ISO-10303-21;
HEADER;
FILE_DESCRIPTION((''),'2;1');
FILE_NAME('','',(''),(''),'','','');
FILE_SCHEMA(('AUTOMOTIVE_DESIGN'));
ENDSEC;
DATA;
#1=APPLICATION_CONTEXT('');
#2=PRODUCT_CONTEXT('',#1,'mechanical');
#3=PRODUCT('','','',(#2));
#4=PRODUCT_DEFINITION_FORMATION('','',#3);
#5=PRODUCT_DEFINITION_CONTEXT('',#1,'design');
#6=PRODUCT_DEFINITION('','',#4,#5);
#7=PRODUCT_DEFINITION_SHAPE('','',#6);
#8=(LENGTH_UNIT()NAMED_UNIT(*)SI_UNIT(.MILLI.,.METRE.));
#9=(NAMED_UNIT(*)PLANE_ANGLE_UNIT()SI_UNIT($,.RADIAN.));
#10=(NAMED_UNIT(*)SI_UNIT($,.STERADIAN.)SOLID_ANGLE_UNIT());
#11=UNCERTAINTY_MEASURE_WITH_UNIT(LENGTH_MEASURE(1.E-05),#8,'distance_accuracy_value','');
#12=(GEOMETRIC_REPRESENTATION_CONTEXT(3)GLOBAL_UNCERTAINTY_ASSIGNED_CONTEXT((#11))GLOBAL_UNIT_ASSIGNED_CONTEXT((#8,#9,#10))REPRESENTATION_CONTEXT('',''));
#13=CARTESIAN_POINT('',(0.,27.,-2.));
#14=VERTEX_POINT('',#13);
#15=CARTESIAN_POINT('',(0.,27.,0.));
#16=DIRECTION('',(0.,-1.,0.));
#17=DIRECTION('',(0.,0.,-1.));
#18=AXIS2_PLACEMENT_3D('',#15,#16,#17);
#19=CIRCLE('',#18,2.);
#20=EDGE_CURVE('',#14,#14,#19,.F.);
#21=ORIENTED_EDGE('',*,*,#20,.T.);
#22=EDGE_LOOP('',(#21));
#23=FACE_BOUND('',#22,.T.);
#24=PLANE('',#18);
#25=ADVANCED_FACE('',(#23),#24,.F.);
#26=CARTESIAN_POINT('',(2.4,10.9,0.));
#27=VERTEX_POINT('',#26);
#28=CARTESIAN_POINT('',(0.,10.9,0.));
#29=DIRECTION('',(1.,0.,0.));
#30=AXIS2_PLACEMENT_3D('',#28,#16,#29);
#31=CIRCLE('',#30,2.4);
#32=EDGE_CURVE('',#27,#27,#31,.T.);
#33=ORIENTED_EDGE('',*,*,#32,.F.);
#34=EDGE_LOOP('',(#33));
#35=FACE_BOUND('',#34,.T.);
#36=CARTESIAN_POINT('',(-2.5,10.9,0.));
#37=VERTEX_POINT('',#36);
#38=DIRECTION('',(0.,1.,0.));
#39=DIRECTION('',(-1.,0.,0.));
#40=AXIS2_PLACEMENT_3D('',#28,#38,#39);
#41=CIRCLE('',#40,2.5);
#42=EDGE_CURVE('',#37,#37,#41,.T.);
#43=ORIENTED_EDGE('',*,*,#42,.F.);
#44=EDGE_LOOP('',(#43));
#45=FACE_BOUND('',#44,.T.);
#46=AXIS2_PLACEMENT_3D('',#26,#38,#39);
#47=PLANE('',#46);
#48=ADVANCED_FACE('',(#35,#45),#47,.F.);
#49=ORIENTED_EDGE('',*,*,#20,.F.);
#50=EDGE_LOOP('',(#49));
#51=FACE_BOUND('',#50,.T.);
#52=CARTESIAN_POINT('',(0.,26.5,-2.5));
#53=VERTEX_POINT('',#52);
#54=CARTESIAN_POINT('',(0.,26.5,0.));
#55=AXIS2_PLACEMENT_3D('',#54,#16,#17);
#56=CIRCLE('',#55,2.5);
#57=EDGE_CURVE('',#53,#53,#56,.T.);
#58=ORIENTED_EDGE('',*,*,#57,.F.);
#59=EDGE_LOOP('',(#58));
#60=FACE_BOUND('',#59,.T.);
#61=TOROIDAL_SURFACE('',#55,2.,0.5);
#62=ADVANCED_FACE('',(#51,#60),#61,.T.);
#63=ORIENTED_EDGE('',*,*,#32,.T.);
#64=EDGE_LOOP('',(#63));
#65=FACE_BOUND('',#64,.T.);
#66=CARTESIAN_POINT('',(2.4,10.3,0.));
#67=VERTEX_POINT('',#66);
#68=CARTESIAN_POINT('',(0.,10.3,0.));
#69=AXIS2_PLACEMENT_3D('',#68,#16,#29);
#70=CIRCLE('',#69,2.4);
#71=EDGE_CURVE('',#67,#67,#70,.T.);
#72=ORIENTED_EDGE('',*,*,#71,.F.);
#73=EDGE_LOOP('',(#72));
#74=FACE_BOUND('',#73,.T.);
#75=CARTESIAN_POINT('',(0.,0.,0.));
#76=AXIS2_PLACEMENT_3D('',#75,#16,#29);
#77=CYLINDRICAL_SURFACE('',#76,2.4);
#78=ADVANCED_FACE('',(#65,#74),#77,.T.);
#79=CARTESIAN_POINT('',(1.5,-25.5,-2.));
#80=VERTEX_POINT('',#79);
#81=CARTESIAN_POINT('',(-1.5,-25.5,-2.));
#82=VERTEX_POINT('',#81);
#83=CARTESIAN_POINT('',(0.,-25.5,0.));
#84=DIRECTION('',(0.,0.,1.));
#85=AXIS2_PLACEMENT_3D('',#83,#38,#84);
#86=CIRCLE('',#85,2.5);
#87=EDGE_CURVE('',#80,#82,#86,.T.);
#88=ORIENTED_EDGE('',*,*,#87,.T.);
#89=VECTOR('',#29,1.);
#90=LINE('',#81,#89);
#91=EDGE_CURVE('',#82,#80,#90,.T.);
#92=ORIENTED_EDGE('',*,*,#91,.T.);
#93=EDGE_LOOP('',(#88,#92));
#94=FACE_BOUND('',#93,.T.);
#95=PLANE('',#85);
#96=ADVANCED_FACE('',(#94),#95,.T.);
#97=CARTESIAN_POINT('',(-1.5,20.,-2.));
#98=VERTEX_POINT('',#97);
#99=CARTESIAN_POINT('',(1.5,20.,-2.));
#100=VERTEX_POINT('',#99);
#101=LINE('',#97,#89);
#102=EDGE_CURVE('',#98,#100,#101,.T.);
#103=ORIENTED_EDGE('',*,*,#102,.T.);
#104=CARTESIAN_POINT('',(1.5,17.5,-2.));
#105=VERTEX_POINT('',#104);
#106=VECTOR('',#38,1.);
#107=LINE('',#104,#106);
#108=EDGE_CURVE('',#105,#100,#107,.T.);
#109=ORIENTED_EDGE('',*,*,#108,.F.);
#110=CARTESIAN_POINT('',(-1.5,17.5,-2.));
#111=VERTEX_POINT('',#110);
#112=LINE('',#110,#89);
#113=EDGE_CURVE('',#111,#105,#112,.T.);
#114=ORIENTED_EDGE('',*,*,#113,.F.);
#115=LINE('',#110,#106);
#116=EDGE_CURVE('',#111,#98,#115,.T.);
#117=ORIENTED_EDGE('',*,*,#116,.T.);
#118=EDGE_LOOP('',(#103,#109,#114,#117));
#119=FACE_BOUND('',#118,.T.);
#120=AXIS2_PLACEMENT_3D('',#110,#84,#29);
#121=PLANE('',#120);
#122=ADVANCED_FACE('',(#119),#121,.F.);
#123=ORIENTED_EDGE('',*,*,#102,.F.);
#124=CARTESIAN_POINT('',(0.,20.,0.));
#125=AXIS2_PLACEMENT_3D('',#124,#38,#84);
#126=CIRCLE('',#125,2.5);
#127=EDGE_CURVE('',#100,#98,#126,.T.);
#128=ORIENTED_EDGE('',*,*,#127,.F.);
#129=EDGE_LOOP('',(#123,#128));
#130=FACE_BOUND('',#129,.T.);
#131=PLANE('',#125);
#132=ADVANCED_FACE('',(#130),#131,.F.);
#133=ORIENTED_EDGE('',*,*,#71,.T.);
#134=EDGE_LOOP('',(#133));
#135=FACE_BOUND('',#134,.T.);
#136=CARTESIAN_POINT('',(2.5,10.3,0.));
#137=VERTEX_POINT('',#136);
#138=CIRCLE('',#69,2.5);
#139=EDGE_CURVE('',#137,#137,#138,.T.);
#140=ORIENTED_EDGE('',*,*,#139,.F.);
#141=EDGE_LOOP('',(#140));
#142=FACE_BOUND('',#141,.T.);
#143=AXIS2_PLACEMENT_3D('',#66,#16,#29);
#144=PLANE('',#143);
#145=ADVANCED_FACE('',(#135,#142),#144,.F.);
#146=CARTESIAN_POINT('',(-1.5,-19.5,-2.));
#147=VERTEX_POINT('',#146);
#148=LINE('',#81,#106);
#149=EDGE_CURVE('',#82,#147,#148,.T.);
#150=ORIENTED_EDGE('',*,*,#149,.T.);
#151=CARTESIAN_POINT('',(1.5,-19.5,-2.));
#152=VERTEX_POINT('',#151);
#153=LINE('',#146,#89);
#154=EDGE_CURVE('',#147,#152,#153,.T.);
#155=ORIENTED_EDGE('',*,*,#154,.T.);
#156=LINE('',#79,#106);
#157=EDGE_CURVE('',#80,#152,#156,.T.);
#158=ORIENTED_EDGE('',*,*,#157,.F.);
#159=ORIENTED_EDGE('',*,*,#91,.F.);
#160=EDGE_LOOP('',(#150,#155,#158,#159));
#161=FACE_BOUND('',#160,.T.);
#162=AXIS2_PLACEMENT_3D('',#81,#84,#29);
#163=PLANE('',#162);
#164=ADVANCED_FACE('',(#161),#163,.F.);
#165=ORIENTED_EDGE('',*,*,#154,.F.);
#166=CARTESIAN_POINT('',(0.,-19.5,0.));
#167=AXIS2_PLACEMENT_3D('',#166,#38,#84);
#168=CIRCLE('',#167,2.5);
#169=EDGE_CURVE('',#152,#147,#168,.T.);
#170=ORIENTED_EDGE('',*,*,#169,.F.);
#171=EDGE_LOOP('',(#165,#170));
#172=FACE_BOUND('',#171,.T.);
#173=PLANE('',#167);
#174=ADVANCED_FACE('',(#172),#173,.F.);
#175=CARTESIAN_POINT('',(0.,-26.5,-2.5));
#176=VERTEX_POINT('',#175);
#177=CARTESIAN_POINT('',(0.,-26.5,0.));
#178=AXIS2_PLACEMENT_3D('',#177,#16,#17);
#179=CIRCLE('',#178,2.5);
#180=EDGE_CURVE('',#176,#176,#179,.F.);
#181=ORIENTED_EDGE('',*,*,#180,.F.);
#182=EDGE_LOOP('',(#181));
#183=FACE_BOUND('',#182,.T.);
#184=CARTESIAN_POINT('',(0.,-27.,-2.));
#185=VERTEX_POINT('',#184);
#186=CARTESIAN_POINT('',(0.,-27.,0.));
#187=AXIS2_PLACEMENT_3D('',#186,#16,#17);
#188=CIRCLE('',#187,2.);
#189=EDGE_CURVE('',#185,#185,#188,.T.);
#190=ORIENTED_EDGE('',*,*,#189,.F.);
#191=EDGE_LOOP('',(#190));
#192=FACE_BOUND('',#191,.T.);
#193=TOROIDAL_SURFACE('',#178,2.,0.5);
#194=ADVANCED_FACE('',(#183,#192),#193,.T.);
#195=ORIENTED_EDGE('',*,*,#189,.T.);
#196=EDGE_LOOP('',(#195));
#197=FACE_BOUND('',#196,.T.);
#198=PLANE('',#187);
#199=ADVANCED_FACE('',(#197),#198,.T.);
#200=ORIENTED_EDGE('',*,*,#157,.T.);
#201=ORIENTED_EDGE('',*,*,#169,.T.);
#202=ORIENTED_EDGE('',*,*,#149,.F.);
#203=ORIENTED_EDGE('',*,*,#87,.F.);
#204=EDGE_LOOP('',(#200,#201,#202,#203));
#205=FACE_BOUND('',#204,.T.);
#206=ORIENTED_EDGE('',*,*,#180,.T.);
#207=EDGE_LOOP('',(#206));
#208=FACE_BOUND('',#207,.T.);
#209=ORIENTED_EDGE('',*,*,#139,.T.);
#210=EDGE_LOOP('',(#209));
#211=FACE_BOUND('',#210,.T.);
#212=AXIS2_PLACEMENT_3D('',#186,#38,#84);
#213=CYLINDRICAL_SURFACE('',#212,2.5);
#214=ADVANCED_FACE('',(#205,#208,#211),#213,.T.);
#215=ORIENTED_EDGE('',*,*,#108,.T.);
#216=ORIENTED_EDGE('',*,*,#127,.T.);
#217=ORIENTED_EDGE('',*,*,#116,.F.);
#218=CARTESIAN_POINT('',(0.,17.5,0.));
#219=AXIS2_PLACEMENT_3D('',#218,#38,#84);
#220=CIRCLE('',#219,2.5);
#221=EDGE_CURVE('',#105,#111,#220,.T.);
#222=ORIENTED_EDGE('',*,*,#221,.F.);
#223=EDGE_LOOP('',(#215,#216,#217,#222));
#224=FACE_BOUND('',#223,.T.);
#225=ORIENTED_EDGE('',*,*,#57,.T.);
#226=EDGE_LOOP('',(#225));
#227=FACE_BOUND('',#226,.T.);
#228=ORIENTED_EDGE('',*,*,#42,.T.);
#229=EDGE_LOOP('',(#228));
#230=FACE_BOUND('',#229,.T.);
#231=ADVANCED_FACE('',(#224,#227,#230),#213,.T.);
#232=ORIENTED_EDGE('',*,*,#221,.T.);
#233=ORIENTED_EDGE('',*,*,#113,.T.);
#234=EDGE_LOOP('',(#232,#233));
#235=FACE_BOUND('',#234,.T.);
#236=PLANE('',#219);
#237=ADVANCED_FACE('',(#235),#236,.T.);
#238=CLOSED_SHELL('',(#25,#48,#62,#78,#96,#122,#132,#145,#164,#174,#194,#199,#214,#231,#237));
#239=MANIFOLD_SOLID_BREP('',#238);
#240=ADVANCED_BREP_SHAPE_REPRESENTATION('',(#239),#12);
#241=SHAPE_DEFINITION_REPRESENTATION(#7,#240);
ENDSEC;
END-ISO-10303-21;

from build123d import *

# Parameters (mm, degrees)
SKETCH1_R           = 2.5
BOSS_EXTRUDE1_DEPTH = 27
CUT_EXTRUDE2_START  = -9.5
CUT_EXTRUDE2_DEPTH  = 2.5
CUT_EXTRUDE3_START  = -52.5
CUT_EXTRUDE3_DEPTH  = 6
FILLET1_R           = 0.5
SKETCH5_W           = 2
SKETCH5_H           = 0.6


with BuildPart() as part:
    # Sketch1 → Boss-Extrude1 (new, symmetric)
    with BuildSketch(Plane.XZ):
        Circle(SKETCH1_R)
    extrude(amount=BOSS_EXTRUDE1_DEPTH, both=True)

    # Sketch4 → Cut-Extrude2 (cut)
    with BuildSketch(Plane(origin=(0, 27, 0), x_dir=(1, 0, 0), z_dir=(0, 1, 0)).offset(CUT_EXTRUDE2_START)):
        with BuildLine():
            Line((-1.5, 2), (1.5, 2))
            ThreePointArc((1.5, 2), (0, 2.5), (-1.5, 2))
        make_face()
    extrude(amount=CUT_EXTRUDE2_DEPTH, mode=Mode.SUBTRACT)

    # Sketch4<2> → Cut-Extrude3 (cut)
    with BuildSketch(Plane(origin=(0, 27, 0), x_dir=(1, 0, 0), z_dir=(0, 1, 0)).offset(CUT_EXTRUDE3_START)):
        with BuildLine():
            Line((-1.5, 2), (1.5, 2))
            ThreePointArc((1.5, 2), (0, 2.5), (-1.5, 2))
        make_face()
    extrude(amount=CUT_EXTRUDE3_DEPTH, mode=Mode.SUBTRACT)

    # Fillet1
    fillet1_edges = [part.edges().sort_by_distance(p)[0] for p in [
        (-2.5, -27, 0),
        (-2.5, 27, 0),
    ]]
    fillet(fillet1_edges, radius=FILLET1_R)

    # Sketch5 → Cut-Revolve2 (revolve, cut)
    with BuildSketch(Plane.XY):
        with Locations((3.4, 10.6)):
            Rectangle(SKETCH5_W, SKETCH5_H)
    revolve(axis=Axis((0, 0, 0), (0, 1, 0)), mode=Mode.SUBTRACT)


solid = part.part
